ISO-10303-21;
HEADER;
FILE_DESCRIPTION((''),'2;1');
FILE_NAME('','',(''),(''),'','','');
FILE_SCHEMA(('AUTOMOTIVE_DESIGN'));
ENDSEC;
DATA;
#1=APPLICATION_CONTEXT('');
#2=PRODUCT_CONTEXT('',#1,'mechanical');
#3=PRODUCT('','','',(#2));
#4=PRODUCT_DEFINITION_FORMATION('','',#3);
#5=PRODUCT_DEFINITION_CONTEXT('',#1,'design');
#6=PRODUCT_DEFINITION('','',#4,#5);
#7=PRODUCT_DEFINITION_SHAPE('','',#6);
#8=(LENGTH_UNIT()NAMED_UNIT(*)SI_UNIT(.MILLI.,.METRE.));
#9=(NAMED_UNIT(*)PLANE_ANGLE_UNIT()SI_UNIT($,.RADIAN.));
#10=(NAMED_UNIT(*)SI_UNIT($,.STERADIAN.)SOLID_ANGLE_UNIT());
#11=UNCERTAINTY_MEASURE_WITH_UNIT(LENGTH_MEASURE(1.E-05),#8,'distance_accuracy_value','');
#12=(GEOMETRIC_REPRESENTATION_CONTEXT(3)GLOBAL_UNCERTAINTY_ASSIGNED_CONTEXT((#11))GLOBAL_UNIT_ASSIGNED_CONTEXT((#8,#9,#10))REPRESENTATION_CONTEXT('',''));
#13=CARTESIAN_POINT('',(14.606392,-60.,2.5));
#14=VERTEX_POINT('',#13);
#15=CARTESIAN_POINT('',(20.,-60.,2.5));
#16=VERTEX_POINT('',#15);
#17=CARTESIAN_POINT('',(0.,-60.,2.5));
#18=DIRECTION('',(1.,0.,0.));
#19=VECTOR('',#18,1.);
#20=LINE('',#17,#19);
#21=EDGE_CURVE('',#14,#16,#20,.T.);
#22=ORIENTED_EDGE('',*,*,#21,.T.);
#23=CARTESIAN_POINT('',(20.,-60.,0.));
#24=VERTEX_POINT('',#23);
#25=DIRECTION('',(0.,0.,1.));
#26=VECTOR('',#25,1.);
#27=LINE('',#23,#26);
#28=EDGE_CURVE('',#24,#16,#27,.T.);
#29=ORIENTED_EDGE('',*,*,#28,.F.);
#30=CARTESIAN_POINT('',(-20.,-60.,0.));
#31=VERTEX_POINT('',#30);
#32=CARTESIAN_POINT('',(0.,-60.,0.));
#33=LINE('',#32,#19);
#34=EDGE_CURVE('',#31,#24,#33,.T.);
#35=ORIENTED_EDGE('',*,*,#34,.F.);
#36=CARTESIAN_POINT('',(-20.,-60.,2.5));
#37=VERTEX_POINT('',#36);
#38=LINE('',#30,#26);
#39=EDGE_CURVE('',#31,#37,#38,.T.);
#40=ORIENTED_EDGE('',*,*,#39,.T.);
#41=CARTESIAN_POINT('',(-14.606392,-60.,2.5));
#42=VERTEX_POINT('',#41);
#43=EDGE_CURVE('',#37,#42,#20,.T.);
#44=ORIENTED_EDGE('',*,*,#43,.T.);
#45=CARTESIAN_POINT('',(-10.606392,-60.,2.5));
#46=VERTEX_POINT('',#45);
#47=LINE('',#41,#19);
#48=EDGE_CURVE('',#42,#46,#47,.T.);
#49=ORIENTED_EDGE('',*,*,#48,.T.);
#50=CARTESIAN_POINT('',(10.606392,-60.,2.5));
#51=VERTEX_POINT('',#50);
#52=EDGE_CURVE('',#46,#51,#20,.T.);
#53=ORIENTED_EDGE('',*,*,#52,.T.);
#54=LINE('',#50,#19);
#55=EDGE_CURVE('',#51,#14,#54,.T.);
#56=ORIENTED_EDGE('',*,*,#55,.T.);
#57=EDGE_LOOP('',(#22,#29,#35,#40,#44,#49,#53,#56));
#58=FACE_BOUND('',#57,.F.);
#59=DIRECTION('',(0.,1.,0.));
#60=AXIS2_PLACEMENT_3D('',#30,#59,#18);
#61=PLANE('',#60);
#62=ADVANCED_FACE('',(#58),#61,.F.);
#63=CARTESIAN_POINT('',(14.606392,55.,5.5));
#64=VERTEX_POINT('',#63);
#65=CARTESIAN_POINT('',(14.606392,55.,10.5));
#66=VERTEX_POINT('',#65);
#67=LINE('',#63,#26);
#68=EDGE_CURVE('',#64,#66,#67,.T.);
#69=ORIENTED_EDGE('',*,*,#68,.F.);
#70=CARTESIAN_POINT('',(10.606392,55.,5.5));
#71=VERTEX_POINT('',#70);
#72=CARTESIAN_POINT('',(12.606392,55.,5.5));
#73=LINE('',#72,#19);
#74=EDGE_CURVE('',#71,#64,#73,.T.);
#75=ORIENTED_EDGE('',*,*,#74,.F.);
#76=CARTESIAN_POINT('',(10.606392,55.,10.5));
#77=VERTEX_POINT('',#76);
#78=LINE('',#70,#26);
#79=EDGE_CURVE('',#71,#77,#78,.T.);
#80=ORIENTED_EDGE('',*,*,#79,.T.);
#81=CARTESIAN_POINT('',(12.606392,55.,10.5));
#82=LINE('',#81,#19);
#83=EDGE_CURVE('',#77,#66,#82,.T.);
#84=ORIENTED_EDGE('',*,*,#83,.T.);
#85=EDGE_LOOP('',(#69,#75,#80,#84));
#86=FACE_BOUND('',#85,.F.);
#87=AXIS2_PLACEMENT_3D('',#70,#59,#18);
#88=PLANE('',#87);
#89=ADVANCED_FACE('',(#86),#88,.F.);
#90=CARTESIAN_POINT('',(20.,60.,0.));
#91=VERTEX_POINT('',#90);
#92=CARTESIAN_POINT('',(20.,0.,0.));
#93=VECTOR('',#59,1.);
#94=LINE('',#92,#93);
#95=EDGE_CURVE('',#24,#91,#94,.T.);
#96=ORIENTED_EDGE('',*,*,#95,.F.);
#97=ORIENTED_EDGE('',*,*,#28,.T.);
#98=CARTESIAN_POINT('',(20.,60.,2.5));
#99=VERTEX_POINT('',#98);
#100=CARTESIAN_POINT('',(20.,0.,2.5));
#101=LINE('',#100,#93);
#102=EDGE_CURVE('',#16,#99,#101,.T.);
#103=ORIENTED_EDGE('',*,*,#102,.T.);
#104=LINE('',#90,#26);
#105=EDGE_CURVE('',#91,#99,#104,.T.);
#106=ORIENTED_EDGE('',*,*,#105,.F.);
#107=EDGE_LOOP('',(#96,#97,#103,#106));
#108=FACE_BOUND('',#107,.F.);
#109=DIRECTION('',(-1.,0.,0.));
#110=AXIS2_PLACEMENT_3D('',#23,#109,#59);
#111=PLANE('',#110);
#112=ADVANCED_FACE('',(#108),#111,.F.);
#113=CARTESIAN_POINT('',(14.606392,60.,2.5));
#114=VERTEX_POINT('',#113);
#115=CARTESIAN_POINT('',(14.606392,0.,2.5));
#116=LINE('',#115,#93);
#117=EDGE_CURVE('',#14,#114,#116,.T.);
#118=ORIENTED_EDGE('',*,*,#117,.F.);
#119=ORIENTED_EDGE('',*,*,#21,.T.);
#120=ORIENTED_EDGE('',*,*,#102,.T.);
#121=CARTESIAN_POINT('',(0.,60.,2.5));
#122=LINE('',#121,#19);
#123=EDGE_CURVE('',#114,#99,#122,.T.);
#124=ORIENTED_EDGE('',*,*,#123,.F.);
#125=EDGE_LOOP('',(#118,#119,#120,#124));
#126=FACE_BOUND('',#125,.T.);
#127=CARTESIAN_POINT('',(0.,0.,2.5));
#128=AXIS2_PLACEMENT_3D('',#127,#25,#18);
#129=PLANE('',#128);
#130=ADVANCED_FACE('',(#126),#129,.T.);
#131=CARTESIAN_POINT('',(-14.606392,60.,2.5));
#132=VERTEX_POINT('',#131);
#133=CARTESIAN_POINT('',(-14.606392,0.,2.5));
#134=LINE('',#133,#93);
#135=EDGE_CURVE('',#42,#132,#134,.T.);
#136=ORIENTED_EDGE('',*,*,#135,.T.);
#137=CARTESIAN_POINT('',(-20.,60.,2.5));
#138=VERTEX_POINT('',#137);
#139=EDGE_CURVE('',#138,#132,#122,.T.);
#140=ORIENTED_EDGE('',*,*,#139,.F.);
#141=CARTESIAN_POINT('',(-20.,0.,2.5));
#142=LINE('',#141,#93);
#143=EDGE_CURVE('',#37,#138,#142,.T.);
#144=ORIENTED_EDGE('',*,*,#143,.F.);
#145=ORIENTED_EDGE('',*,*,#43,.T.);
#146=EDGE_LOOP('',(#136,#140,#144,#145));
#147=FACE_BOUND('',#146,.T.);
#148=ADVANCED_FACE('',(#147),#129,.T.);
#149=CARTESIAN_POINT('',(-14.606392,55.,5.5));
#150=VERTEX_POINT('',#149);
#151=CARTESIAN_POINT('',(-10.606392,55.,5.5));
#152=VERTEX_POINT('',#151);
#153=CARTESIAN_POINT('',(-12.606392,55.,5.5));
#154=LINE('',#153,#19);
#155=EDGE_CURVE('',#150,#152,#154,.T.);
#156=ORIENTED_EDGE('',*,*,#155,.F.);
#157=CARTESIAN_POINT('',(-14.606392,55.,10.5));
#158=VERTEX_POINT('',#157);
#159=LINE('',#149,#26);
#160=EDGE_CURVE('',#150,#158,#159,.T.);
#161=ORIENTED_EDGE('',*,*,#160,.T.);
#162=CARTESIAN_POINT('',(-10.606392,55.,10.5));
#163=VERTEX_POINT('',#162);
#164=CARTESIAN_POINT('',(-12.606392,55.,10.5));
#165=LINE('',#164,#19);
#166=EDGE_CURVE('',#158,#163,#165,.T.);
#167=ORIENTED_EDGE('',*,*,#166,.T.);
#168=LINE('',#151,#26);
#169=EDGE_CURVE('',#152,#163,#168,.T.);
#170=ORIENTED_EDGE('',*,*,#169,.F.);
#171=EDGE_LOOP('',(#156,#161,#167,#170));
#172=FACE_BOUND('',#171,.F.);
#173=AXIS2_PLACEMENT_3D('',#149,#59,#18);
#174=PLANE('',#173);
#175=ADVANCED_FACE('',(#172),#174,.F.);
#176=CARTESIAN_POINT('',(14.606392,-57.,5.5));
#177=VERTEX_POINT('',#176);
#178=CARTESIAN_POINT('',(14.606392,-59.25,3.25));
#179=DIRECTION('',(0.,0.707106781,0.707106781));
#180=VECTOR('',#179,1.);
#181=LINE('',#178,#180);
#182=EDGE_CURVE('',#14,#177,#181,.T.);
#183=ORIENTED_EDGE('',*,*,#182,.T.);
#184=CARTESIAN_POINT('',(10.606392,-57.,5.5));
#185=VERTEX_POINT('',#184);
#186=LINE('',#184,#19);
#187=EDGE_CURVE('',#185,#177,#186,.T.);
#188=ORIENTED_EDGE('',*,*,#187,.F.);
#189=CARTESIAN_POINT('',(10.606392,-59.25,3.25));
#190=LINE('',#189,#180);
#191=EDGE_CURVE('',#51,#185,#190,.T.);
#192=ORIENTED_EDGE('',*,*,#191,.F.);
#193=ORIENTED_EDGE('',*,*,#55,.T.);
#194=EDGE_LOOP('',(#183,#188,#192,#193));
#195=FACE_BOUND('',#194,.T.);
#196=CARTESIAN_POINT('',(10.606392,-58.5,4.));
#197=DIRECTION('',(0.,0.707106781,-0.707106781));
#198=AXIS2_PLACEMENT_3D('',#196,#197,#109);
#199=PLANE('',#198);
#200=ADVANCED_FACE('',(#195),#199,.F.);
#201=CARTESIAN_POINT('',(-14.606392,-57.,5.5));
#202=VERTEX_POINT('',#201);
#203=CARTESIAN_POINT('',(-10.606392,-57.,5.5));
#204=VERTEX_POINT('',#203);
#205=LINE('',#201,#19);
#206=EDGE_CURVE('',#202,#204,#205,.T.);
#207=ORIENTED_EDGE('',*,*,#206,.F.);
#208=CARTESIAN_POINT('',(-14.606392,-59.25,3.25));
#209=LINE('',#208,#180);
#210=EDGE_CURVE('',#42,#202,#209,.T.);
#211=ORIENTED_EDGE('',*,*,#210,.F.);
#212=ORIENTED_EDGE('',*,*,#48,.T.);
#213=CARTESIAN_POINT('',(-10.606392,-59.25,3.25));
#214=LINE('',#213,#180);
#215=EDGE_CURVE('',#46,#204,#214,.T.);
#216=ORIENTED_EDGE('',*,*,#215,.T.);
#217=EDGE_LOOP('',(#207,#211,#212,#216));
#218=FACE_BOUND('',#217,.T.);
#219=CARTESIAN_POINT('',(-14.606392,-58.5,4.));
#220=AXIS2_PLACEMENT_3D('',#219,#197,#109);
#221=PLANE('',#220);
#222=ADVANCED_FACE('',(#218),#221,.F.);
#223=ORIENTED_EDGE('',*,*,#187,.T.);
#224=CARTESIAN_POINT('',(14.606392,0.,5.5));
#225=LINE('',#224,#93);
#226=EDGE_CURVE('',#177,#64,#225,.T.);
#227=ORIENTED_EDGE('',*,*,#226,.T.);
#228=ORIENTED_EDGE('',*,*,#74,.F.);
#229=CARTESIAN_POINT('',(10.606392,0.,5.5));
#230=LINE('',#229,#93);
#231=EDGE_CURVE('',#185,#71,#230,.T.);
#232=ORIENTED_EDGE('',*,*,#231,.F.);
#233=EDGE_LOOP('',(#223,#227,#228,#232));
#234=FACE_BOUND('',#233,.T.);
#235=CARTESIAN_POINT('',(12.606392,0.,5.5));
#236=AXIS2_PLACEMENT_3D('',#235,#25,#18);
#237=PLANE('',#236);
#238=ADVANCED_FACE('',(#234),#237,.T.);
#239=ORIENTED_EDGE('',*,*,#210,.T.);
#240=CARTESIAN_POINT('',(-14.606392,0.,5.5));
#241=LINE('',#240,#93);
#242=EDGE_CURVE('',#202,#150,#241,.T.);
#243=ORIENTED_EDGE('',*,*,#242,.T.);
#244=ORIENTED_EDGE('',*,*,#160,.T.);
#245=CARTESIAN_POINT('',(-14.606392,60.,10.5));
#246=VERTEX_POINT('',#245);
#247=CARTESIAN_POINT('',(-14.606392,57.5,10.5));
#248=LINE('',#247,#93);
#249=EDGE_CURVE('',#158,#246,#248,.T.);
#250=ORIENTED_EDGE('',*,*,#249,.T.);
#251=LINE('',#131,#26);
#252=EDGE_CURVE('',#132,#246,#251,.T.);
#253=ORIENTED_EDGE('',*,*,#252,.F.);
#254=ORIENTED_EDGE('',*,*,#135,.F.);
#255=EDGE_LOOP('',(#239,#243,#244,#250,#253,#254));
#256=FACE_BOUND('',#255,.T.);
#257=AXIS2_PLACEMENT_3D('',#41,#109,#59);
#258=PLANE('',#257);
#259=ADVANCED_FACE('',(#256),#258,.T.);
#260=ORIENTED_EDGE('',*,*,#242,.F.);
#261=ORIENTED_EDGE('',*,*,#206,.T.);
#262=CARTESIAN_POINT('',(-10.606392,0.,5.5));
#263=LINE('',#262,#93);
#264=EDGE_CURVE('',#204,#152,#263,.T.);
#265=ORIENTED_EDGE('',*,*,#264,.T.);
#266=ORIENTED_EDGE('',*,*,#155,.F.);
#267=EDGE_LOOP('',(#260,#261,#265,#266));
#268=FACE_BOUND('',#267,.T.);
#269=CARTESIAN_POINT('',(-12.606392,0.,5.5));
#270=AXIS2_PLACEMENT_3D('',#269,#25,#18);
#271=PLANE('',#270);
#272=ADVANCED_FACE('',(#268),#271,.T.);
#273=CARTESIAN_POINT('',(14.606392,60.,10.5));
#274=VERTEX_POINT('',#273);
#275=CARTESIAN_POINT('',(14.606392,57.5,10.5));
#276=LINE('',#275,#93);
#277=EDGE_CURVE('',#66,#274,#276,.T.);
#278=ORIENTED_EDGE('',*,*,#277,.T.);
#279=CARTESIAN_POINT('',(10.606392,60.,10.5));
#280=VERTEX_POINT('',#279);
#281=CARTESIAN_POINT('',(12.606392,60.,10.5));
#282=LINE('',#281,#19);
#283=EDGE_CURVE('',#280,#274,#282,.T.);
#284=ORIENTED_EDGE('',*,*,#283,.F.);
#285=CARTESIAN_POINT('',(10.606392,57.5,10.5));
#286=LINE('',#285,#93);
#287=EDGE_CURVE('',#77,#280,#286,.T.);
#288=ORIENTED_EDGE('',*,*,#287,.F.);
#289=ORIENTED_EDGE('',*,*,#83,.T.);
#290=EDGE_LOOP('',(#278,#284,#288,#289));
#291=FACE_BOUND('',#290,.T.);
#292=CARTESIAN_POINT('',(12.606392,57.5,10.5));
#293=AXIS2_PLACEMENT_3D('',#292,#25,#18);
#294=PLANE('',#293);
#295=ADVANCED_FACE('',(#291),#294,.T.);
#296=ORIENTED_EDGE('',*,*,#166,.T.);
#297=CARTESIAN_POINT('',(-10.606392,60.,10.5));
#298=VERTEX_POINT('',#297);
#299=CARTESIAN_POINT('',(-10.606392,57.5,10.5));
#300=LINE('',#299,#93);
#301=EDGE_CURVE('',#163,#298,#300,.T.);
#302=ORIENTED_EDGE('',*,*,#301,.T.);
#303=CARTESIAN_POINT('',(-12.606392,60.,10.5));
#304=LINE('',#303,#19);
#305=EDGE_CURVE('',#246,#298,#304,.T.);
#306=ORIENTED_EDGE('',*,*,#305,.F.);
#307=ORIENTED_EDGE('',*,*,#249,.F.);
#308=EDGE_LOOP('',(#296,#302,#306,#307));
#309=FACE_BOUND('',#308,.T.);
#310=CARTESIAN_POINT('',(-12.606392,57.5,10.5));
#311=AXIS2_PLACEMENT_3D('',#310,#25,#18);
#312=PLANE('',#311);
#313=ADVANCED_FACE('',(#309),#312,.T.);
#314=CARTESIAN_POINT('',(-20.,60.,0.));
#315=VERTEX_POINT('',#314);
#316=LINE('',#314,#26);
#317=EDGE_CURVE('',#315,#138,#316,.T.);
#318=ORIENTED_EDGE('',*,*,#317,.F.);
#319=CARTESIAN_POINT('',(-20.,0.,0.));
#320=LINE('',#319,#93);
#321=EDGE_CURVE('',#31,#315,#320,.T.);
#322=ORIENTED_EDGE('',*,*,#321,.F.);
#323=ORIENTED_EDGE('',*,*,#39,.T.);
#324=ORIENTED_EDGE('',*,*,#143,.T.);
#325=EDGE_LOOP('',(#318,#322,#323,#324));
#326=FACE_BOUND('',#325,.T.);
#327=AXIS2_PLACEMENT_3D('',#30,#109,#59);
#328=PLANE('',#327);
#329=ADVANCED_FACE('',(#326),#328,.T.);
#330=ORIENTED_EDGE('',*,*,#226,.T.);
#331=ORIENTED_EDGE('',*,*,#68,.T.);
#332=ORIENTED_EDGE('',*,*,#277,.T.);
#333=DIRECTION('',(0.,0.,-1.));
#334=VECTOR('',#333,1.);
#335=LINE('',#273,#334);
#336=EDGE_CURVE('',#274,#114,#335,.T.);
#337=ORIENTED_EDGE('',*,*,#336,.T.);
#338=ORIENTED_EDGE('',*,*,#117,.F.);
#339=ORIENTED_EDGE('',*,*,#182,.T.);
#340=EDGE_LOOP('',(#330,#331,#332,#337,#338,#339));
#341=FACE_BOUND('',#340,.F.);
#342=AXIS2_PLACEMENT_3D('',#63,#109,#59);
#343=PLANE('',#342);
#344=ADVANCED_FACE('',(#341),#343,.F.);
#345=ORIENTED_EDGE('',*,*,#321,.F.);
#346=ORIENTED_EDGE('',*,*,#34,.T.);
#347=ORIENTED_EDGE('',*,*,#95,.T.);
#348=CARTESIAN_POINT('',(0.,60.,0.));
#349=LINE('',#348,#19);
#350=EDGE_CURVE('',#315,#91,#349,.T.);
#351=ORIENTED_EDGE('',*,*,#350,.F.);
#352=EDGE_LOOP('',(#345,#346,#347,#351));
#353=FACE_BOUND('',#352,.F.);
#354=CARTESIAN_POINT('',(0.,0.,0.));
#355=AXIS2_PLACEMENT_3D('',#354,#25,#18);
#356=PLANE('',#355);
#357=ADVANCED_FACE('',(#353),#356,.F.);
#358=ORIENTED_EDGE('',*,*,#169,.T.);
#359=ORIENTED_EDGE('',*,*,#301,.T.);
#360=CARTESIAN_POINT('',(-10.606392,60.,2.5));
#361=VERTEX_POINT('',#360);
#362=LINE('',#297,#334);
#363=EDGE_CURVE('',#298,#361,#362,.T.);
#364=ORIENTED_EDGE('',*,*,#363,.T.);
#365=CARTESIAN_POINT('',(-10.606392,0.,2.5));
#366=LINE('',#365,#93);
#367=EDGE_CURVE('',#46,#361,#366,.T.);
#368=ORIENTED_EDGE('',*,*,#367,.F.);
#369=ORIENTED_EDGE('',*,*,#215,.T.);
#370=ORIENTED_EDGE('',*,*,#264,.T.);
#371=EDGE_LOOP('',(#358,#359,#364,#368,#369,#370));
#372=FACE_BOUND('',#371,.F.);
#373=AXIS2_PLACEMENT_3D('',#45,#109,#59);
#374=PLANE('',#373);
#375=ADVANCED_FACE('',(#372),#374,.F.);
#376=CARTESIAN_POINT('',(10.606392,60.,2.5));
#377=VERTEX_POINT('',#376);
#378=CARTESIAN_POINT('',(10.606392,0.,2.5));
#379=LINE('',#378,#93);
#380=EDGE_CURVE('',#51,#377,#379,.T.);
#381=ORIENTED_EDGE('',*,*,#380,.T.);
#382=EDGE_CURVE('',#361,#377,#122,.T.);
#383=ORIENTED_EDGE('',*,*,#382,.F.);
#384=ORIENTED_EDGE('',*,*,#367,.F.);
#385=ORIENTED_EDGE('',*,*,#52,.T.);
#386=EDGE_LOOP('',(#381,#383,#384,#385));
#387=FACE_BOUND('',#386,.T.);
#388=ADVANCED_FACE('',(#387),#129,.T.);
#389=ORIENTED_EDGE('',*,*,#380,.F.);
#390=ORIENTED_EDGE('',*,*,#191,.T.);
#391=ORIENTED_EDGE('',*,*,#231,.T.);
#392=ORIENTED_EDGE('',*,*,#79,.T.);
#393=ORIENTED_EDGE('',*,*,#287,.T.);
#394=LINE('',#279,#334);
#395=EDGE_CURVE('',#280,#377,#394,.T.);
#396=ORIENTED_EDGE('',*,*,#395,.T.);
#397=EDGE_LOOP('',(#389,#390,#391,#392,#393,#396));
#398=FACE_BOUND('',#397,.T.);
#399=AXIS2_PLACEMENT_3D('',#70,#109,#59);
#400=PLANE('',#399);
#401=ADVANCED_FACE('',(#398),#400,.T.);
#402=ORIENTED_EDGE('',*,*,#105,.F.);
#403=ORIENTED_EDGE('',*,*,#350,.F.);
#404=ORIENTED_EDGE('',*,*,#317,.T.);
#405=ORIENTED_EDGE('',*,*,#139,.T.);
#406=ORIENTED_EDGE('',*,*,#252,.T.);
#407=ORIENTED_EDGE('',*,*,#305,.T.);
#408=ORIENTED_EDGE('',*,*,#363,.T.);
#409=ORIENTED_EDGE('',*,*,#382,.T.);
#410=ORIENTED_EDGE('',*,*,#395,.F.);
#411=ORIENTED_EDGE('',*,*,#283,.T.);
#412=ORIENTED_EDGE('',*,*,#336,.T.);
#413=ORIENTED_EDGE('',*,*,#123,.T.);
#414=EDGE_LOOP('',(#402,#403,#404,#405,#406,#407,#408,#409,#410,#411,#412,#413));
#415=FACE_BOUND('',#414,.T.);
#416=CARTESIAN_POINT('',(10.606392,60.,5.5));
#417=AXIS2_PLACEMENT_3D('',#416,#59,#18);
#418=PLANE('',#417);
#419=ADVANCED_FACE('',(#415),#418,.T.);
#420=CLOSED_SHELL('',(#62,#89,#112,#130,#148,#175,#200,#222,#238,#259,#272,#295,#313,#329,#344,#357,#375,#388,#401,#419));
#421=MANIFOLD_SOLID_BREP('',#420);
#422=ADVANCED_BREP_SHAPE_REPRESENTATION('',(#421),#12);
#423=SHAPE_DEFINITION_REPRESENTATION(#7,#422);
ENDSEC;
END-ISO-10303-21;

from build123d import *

# Parameters (mm, degrees)
F0_W     = 40
F0_H     = 120
F1_DEPTH = 2.5
F2_W     = 4
F2_H     = 120
F3_DEPTH = 3
F4_SIZE  = 3
F5_W     = 4
F5_H     = 5
F6_DEPTH = 5


with BuildPart() as f1:
    # F0 (on Top) → F1 (new body)
    with BuildSketch(Plane.XY):
        Rectangle(F0_W, F0_H)
    extrude(amount=F1_DEPTH)

    # F2 (on face) → F3 (join)
    with BuildSketch(Plane.XY.offset(2.5)):
        with Locations((-12.606392, 0)):
            Rectangle(F2_W, F2_H)
        with Locations((12.606392, 0)):
            Rectangle(F2_W, F2_H)
    extrude(amount=F3_DEPTH)

    # F4
    f4_edges = [f1.edges().sort_by_distance(p)[0] for p in [
        (-12.606392, -60, 5.5),
        (12.606392, -60, 5.5),
    ]]
    chamfer(f4_edges, length=F4_SIZE)

    # F5 (on face) → F6 (join)
    with BuildSketch(Plane.XY.offset(5.5)):
        with Locations((12.606392, 57.5)):
            Rectangle(F5_W, F5_H)
        with Locations((-12.606392, 57.5)):
            Rectangle(F5_W, F5_H)
    extrude(amount=F6_DEPTH)


solid = f1.part
